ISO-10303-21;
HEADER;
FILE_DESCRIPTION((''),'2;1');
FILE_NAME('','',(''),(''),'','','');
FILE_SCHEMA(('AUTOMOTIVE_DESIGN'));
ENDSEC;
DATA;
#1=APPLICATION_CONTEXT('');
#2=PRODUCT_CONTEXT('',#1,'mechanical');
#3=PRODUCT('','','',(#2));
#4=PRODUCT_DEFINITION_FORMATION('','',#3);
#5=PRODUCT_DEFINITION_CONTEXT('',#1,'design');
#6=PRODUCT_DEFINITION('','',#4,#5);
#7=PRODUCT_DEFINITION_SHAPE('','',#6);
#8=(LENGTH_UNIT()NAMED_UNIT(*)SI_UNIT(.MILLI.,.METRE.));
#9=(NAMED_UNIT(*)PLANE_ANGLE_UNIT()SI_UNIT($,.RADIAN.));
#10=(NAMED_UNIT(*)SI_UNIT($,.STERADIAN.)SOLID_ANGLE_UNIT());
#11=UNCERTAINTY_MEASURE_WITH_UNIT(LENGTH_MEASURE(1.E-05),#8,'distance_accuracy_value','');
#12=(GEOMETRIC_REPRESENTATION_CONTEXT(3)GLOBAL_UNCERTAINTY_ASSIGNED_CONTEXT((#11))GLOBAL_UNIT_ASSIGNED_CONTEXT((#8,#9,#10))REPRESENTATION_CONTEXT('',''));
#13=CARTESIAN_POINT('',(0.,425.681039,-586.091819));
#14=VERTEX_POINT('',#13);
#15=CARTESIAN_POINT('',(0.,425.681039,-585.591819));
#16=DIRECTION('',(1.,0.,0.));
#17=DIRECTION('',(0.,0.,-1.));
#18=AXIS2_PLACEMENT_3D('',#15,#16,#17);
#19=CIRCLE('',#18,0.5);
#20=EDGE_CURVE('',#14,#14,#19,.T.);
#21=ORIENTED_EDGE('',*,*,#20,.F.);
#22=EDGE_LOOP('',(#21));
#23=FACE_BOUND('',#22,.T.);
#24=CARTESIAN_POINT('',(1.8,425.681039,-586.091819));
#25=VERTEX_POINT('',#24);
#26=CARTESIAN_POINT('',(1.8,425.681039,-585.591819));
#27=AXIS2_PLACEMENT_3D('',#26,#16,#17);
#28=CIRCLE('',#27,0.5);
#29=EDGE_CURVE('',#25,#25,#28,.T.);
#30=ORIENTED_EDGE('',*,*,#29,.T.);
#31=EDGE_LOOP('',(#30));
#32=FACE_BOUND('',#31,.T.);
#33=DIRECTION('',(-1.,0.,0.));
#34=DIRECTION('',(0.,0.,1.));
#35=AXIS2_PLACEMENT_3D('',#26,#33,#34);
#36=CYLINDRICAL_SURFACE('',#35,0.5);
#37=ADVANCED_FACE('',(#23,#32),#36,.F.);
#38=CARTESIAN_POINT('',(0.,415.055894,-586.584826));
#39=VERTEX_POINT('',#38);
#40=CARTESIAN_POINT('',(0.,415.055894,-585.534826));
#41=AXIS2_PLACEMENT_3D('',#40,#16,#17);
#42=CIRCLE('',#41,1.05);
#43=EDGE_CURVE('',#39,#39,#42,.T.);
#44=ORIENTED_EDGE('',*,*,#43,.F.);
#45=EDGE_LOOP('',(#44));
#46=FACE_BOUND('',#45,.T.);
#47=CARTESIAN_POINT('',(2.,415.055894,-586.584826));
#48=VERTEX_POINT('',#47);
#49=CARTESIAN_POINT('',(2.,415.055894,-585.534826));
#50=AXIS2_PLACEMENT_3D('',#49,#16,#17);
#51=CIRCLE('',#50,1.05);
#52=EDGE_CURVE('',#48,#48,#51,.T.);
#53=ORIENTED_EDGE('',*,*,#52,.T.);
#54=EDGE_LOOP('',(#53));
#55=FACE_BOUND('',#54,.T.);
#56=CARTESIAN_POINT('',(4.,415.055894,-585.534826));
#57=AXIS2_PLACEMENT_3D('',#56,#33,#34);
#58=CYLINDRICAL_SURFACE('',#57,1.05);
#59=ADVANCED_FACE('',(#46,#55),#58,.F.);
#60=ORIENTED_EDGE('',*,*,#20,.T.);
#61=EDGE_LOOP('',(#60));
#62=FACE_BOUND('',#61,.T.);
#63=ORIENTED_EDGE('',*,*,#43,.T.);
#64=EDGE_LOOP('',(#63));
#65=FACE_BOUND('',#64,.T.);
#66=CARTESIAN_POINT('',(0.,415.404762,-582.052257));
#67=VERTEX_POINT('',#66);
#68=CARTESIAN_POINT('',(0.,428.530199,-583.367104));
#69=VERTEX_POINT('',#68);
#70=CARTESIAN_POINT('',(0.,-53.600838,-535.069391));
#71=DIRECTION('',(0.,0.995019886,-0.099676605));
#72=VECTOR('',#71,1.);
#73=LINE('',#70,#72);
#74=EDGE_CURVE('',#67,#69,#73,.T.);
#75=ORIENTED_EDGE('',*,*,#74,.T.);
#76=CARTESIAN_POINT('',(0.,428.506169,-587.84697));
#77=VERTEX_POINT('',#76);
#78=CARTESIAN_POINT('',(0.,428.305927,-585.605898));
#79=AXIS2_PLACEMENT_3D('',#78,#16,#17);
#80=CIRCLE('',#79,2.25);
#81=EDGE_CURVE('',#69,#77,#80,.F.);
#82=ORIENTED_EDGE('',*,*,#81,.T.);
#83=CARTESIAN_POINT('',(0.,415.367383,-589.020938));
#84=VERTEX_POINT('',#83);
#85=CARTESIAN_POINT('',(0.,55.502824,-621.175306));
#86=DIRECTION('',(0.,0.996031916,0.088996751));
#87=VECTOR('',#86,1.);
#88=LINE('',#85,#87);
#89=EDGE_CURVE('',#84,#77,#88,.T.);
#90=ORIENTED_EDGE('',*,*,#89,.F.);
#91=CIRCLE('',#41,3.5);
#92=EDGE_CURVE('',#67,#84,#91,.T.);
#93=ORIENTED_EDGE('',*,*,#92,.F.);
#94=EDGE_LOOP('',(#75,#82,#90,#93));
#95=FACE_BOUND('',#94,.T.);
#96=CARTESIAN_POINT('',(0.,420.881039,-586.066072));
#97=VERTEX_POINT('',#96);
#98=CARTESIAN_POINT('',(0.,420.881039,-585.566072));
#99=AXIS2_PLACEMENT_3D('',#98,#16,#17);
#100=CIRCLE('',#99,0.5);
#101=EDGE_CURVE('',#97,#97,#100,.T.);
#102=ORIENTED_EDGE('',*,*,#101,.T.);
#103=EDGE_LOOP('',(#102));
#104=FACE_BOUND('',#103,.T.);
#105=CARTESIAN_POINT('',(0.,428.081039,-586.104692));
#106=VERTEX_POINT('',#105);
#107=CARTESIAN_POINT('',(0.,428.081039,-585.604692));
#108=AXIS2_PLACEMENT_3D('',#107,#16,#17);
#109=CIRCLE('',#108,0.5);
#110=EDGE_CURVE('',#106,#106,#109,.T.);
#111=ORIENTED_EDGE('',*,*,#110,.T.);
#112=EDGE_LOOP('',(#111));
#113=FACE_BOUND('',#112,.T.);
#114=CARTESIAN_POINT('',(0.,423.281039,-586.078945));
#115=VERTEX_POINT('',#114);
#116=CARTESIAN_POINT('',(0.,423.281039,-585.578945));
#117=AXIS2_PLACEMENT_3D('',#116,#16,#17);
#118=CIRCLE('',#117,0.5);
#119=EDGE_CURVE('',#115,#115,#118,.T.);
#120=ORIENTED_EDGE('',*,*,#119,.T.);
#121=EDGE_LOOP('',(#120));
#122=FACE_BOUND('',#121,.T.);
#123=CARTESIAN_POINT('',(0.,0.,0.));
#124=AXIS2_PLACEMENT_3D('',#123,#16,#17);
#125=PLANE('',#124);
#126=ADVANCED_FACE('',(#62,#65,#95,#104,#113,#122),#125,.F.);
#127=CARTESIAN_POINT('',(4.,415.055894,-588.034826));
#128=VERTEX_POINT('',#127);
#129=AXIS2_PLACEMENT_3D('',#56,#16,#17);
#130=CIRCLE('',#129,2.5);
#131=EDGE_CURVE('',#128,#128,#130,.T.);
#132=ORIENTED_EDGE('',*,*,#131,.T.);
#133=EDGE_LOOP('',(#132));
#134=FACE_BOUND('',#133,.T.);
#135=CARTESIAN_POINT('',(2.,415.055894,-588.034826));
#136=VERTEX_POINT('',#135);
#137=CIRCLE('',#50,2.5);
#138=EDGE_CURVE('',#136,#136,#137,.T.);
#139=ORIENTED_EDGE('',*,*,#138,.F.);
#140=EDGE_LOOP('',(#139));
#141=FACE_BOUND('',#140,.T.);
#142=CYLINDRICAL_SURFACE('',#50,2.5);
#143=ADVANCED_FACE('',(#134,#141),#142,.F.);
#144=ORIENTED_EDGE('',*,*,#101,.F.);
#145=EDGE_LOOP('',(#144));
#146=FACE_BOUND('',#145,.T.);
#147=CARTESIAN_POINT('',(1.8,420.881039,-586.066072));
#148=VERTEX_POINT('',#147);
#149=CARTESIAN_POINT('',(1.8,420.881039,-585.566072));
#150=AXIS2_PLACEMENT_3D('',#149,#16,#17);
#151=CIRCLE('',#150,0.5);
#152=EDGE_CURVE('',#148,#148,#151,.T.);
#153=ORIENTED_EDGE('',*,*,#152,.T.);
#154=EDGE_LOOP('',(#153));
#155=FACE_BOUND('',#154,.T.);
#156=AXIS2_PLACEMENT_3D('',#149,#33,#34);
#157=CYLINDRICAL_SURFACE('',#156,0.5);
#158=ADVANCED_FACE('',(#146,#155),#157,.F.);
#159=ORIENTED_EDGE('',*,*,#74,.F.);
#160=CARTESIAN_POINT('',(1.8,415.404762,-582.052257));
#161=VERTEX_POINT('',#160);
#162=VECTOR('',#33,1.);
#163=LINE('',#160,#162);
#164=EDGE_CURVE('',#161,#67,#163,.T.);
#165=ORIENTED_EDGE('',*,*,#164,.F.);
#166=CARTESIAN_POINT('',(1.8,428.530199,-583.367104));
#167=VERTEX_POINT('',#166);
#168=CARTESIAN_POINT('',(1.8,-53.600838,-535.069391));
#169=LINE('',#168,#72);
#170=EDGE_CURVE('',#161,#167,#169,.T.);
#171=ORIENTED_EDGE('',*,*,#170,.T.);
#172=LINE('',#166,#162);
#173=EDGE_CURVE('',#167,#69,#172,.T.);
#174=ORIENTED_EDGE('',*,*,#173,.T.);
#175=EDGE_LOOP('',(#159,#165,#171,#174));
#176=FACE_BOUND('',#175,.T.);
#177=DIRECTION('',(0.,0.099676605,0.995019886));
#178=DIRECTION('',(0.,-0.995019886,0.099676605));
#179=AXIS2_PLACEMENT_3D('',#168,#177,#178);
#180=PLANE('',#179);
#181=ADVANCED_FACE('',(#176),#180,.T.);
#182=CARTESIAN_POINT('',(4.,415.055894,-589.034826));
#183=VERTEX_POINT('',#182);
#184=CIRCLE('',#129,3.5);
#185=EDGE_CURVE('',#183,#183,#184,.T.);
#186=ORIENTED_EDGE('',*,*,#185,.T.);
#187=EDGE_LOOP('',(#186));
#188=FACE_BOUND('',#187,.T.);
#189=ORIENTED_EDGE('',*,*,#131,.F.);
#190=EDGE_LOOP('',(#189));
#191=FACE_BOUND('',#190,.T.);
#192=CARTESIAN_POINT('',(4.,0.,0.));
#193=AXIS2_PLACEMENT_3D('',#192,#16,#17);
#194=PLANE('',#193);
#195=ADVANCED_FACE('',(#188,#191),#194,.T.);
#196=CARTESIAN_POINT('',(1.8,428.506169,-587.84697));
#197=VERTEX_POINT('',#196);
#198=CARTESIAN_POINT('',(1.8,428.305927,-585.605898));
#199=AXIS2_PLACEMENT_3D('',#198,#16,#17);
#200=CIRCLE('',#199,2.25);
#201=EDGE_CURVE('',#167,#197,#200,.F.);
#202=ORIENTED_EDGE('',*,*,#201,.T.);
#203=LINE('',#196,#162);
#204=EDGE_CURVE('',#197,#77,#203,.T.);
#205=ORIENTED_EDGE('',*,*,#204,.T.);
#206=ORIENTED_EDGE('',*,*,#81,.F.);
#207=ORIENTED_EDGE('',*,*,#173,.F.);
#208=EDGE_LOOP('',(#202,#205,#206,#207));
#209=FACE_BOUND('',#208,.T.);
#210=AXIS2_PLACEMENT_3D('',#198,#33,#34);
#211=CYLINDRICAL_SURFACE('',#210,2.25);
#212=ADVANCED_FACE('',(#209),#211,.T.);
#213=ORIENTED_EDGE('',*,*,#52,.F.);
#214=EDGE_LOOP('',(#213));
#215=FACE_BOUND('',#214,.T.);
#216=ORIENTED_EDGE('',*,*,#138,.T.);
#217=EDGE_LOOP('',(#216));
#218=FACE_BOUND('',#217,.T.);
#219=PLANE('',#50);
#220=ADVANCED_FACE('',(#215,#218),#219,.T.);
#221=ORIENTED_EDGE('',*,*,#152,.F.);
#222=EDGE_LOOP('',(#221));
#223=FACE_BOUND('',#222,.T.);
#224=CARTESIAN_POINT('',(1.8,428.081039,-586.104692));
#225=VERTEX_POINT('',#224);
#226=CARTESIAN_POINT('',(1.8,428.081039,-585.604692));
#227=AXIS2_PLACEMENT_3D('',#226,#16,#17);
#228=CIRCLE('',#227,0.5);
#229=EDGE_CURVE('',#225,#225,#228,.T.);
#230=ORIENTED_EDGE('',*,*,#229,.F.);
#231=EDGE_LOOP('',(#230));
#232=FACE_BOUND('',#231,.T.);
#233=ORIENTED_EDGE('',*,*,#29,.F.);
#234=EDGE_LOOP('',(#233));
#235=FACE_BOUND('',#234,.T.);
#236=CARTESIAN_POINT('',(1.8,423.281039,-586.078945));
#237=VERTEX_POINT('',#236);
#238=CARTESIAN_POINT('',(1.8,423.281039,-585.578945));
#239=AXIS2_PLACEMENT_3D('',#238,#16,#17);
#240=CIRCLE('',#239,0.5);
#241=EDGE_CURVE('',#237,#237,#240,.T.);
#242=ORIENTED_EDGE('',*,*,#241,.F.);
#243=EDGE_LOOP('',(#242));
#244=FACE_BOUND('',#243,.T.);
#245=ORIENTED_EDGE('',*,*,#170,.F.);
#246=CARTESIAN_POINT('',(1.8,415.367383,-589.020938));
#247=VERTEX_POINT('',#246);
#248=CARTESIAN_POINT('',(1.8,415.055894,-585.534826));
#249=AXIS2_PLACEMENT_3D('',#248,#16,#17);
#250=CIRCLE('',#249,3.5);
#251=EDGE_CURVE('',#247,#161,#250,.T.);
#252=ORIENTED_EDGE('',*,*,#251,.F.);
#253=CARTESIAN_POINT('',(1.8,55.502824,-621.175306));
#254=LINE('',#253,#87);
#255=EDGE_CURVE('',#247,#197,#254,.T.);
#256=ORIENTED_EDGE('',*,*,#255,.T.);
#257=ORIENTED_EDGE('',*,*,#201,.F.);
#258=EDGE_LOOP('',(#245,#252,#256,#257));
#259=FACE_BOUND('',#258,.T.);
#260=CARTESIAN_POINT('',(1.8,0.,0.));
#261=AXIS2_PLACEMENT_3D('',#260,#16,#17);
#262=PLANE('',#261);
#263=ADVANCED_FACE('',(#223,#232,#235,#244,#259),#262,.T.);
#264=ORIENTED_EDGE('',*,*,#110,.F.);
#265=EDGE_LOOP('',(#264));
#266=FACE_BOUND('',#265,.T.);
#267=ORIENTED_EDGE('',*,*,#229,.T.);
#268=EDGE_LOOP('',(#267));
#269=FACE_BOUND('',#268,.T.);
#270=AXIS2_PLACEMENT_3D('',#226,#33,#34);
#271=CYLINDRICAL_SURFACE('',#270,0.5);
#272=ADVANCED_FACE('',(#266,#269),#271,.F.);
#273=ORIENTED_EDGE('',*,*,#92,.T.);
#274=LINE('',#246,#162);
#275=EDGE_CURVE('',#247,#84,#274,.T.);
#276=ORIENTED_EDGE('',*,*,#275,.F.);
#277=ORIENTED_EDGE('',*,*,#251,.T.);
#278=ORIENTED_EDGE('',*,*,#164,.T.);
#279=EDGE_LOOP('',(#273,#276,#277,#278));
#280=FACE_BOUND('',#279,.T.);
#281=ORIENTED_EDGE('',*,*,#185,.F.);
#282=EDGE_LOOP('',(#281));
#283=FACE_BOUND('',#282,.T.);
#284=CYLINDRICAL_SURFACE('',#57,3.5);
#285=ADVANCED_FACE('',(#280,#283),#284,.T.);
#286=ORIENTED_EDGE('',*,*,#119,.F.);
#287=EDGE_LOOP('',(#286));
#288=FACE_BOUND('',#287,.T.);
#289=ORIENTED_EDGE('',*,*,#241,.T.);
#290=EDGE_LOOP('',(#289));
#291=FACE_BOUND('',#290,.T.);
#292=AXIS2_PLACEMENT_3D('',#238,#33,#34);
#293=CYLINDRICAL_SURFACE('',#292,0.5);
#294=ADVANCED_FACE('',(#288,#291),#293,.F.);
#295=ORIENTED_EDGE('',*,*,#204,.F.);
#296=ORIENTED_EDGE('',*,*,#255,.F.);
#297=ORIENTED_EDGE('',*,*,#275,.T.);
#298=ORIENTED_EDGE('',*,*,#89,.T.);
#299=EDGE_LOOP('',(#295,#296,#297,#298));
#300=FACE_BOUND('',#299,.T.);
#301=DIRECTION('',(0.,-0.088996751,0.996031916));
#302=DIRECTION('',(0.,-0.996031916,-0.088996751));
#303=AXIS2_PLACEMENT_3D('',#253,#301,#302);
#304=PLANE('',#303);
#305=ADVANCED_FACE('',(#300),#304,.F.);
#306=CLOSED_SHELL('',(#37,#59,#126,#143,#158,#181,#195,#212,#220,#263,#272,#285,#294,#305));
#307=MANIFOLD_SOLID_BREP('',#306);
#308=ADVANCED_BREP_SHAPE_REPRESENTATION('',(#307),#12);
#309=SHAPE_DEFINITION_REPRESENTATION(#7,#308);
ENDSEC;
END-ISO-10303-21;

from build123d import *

# Parameters (mm, degrees)
IZIM1_R                     = 1.05
Y_KSEKLIK_EKSTR_ZYON1_DEPTH = 4
IZIM1_5_R                   = 0.5
Y_KSEKLIK_EKSTR_ZYON2_DEPTH = 1.8
IZIM2_R                     = 2.5
KES_EKSTR_ZYON1_DEPTH       = 2


with BuildPart() as part:
    # Çizim1 → Yükseklik-Ekstrüzyon1 (new body)
    with BuildSketch(Plane(origin=(0, 0, 0), x_dir=(0, 0, -1), z_dir=(1, 0, 0))):
        with BuildLine():
            ThreePointArc((589.020937835, 415.367382833), (585.553599597, 418.555843854), (582.052256525, 415.40476232))
            ThreePointArc((582.052256525, 415.40476232), (585.360174488, 411.560254519), (589.034826128, 415.055894204))
            ThreePointArc((589.034826128, 415.055894204), (589.031352331, 415.211793251), (589.020937835, 415.367382833))
        make_face()
        with Locations((585.534826128, 415.055894204)):
            Circle(IZIM1_R, mode=Mode.SUBTRACT)
    extrude(amount=Y_KSEKLIK_EKSTR_ZYON1_DEPTH)

    # Çizim1<5> → Yükseklik-Ekstrüzyon2 (add)
    with BuildSketch(Plane(origin=(0, 0, 0), x_dir=(0, 0, -1), z_dir=(1, 0, 0))):
        with BuildLine():
            Line((583.367103568, 428.530198932), (582.052256525, 415.40476232))
            ThreePointArc((582.052256525, 415.40476232), (585.553599597, 418.555843854), (589.020937835, 415.367382833))
            Line((589.020937835, 415.367382833), (587.846970124, 428.506169262))
            ThreePointArc((587.846970124, 428.506169262), (585.617966971, 430.555894204), (583.367103568, 428.530198932))
        make_face()
        with Locations((585.566071769, 420.8810388)):
            Circle(IZIM1_5_R, mode=Mode.SUBTRACT)
        with Locations((585.57894519, 423.2810388)):
            Circle(IZIM1_5_R, mode=Mode.SUBTRACT)
        with Locations((585.591818611, 425.6810388)):
            Circle(IZIM1_5_R, mode=Mode.SUBTRACT)
        with Locations((585.604692031, 428.0810388)):
            Circle(IZIM1_5_R, mode=Mode.SUBTRACT)
    extrude(amount=Y_KSEKLIK_EKSTR_ZYON2_DEPTH)

    # Çizim2 → Kes-Ekstrüzyon1 (cut)
    with BuildSketch(Plane(origin=(4, 0, 0), x_dir=(0, 0, -1), z_dir=(1, 0, 0))):
        with Locations((585.534826128, 415.055894204)):
            Circle(IZIM2_R)
    extrude(amount=-KES_EKSTR_ZYON1_DEPTH, mode=Mode.SUBTRACT)


solid = part.part
